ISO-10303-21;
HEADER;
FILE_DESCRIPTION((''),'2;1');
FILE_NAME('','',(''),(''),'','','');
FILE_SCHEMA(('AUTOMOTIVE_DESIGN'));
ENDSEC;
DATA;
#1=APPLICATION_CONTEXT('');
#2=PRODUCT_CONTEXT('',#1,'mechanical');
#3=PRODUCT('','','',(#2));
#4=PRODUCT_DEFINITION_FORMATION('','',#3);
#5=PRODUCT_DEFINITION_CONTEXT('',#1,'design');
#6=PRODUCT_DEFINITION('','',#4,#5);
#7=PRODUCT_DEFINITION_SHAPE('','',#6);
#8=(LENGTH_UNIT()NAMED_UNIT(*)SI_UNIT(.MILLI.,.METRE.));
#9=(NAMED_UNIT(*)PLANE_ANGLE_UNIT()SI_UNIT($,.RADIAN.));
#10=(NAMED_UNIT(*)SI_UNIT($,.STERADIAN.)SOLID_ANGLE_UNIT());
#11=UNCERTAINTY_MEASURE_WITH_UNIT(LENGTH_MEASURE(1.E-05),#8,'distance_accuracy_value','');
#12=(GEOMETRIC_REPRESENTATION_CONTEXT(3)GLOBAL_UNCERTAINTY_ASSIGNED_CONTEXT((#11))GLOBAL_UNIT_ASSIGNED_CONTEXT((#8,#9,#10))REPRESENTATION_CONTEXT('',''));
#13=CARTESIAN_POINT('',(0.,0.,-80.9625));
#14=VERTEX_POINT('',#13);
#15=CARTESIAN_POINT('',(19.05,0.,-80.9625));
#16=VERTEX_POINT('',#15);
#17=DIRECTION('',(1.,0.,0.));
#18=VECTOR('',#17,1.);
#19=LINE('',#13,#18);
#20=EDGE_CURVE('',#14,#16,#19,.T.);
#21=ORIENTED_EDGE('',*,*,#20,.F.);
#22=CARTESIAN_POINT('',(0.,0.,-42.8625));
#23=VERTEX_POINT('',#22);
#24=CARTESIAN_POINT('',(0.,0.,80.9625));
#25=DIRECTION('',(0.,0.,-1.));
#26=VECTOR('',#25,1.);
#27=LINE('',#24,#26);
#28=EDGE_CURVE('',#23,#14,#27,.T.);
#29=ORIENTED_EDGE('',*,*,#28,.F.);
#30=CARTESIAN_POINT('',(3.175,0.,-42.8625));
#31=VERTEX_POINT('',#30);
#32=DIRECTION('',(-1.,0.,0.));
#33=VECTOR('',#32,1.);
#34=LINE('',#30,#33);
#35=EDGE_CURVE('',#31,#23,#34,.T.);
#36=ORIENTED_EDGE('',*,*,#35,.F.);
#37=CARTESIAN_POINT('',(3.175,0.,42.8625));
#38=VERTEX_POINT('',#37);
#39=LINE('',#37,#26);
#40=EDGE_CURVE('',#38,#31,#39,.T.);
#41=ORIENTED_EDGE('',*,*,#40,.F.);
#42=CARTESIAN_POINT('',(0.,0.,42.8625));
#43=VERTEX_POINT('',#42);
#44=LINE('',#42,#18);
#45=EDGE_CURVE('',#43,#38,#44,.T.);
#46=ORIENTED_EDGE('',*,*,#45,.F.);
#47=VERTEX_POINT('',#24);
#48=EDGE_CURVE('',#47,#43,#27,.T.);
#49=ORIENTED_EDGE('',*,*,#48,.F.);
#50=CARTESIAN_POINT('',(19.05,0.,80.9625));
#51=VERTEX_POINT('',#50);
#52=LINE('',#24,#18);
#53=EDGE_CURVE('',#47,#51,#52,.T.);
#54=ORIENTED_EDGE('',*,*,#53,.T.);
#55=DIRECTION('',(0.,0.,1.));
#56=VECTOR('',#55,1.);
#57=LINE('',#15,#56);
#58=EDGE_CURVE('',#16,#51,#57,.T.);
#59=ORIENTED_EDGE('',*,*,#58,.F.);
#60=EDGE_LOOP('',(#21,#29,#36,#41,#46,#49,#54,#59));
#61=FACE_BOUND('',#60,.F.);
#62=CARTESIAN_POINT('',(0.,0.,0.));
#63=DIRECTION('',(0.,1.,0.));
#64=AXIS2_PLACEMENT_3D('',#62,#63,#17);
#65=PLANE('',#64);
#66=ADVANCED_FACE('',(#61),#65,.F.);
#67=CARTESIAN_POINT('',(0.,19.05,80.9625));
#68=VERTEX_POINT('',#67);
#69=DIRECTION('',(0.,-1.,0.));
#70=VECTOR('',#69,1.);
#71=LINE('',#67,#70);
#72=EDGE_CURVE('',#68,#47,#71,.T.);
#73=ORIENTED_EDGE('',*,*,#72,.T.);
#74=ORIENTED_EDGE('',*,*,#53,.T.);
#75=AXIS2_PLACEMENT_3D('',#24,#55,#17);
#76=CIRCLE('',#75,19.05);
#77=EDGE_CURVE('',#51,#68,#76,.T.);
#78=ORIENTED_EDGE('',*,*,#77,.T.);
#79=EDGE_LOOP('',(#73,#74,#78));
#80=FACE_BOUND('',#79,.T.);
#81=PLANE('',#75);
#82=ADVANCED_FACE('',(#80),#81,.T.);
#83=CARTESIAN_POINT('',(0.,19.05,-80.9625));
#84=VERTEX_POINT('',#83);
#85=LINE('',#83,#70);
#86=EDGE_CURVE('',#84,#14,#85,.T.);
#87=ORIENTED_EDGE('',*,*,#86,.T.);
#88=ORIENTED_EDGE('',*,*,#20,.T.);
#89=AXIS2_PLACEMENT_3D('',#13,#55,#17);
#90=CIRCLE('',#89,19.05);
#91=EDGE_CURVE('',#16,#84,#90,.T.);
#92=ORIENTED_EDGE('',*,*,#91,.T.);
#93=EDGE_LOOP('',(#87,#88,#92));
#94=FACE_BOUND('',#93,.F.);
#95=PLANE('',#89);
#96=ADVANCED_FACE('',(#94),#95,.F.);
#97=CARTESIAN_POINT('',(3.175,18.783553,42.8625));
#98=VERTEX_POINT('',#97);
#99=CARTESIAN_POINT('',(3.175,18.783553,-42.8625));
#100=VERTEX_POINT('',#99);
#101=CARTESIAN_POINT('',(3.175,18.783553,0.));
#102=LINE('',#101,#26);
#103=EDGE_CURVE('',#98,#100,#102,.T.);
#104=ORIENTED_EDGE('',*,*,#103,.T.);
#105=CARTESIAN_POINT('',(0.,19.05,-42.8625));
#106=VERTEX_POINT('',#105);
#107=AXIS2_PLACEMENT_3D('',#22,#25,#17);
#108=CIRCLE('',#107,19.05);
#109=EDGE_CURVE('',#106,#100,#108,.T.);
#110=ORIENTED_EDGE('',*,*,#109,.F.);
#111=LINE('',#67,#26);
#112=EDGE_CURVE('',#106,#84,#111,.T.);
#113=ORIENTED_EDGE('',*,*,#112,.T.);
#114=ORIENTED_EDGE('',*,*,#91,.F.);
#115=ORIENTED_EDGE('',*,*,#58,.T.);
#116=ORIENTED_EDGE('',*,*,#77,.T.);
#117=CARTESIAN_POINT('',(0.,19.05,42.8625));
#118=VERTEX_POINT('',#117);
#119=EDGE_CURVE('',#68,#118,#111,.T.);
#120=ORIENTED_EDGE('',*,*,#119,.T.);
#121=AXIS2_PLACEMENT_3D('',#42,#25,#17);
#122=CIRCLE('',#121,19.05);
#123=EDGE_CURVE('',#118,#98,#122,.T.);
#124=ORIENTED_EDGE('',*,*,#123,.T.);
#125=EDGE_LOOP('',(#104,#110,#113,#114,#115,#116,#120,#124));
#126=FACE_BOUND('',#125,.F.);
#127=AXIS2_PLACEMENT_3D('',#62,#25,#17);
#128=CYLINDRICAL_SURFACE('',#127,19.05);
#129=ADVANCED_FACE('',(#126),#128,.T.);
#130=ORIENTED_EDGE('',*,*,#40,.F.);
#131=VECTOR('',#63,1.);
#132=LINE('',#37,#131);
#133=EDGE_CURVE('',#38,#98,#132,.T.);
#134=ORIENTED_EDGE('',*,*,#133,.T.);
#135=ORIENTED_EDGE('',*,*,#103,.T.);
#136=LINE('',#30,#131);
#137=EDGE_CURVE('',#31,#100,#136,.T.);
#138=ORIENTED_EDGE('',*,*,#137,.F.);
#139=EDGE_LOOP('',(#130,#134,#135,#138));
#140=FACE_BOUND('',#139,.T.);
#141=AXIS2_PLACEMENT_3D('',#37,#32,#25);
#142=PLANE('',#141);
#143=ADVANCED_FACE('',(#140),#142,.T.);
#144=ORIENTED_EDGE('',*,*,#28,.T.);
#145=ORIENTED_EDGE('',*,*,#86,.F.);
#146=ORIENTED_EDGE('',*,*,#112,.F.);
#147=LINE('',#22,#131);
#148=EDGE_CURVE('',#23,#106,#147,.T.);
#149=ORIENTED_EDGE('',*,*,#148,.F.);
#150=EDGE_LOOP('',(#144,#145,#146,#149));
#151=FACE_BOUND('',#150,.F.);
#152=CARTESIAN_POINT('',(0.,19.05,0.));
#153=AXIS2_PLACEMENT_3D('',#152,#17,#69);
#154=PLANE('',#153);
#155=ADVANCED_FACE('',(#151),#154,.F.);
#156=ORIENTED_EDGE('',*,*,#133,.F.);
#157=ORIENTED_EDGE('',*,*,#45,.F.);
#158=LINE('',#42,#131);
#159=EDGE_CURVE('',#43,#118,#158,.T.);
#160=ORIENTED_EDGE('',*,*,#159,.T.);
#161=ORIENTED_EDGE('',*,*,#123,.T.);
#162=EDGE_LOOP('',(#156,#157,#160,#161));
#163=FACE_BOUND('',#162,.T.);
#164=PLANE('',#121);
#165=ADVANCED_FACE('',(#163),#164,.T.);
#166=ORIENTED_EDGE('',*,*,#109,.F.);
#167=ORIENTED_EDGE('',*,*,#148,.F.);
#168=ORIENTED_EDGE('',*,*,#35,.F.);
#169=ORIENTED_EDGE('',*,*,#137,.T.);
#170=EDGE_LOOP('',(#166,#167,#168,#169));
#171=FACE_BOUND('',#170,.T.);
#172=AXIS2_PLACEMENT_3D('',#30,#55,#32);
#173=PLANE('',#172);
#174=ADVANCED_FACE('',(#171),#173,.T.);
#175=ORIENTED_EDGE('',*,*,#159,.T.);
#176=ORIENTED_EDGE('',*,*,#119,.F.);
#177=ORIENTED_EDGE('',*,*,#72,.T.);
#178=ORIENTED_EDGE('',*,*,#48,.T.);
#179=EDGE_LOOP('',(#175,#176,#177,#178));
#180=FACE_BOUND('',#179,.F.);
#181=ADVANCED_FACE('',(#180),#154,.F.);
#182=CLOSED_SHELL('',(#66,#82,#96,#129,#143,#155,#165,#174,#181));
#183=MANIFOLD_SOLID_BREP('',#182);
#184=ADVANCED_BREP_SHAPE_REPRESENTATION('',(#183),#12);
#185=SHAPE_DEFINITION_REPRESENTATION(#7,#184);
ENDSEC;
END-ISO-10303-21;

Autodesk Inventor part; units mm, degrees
ref_plane "YZ Plane" through (0, 0, 0) normal (1, 0, 0) x (0, 1, 0)
ref_plane "XZ Plane" through (0, 0, 0) normal (0, 1, 0) x (-1, 0, 0)
ref_plane "XY Plane" through (0, 0, 0) normal (0, 0, 1) x (1, 0, 0)
sketch "Sketch1" plane through (0, 0, 0) normal (0, 0, 1) x (1, 0, 0)
  arc A0 (19.05, 0) -> (0, 19.05) centre (0, 0) ccw
  line L0 (0, 19.05) -> (0, 0)
  line L1 (0, 0) -> (19.05, 0)
  dimension "d0" = 38.1
extrude "Extrusion1" add sketch "Sketch1" along normal mid plane 161.925
sketch "Sketch2" plane through (0, 0, 80.9625) normal (0, -1, 0) x (1, 0, 0)
  line L0 (0, -38.1) -> (3.175, -38.1)
  line L1 (3.175, -38.1) -> (3.175, -123.825)
  line L2 (3.175, -123.825) -> (0, -123.825)
  line L3 (0, -123.825) -> (0, -38.1)
  line L4 (19.05, -161.925) -> (0, -161.925) projected
  line L5 (0, -161.925) -> (0, 0) projected
  point P0 (0, -80.9625)
  dimension "d3" = 85.725
  dimension "d4" = 38.1
  dimension "d5" = 3.175
extrude "Extrusion2" cut sketch "Sketch2" against normal through all
equation "\"d0\" = cornerRoundType"
equation "\"d1\" = lengthOfPart"
equation "\"d3\" = notchCutout"
equation "\"d4\" = bottomLength"
equation "\"d5\" = notchDepth"
equation "\"cornerRoundType\" = 38.1"
equation "\"notchCutout\" = 85.725"
equation "\"bottomLength\" = 38.1"
equation "\"lengthOfPart\" = 2 * bottomLength + notchCutout"
equation "\"notchDepth\" = 3.175"
properties part number "topOfStairs_0125_notch"
